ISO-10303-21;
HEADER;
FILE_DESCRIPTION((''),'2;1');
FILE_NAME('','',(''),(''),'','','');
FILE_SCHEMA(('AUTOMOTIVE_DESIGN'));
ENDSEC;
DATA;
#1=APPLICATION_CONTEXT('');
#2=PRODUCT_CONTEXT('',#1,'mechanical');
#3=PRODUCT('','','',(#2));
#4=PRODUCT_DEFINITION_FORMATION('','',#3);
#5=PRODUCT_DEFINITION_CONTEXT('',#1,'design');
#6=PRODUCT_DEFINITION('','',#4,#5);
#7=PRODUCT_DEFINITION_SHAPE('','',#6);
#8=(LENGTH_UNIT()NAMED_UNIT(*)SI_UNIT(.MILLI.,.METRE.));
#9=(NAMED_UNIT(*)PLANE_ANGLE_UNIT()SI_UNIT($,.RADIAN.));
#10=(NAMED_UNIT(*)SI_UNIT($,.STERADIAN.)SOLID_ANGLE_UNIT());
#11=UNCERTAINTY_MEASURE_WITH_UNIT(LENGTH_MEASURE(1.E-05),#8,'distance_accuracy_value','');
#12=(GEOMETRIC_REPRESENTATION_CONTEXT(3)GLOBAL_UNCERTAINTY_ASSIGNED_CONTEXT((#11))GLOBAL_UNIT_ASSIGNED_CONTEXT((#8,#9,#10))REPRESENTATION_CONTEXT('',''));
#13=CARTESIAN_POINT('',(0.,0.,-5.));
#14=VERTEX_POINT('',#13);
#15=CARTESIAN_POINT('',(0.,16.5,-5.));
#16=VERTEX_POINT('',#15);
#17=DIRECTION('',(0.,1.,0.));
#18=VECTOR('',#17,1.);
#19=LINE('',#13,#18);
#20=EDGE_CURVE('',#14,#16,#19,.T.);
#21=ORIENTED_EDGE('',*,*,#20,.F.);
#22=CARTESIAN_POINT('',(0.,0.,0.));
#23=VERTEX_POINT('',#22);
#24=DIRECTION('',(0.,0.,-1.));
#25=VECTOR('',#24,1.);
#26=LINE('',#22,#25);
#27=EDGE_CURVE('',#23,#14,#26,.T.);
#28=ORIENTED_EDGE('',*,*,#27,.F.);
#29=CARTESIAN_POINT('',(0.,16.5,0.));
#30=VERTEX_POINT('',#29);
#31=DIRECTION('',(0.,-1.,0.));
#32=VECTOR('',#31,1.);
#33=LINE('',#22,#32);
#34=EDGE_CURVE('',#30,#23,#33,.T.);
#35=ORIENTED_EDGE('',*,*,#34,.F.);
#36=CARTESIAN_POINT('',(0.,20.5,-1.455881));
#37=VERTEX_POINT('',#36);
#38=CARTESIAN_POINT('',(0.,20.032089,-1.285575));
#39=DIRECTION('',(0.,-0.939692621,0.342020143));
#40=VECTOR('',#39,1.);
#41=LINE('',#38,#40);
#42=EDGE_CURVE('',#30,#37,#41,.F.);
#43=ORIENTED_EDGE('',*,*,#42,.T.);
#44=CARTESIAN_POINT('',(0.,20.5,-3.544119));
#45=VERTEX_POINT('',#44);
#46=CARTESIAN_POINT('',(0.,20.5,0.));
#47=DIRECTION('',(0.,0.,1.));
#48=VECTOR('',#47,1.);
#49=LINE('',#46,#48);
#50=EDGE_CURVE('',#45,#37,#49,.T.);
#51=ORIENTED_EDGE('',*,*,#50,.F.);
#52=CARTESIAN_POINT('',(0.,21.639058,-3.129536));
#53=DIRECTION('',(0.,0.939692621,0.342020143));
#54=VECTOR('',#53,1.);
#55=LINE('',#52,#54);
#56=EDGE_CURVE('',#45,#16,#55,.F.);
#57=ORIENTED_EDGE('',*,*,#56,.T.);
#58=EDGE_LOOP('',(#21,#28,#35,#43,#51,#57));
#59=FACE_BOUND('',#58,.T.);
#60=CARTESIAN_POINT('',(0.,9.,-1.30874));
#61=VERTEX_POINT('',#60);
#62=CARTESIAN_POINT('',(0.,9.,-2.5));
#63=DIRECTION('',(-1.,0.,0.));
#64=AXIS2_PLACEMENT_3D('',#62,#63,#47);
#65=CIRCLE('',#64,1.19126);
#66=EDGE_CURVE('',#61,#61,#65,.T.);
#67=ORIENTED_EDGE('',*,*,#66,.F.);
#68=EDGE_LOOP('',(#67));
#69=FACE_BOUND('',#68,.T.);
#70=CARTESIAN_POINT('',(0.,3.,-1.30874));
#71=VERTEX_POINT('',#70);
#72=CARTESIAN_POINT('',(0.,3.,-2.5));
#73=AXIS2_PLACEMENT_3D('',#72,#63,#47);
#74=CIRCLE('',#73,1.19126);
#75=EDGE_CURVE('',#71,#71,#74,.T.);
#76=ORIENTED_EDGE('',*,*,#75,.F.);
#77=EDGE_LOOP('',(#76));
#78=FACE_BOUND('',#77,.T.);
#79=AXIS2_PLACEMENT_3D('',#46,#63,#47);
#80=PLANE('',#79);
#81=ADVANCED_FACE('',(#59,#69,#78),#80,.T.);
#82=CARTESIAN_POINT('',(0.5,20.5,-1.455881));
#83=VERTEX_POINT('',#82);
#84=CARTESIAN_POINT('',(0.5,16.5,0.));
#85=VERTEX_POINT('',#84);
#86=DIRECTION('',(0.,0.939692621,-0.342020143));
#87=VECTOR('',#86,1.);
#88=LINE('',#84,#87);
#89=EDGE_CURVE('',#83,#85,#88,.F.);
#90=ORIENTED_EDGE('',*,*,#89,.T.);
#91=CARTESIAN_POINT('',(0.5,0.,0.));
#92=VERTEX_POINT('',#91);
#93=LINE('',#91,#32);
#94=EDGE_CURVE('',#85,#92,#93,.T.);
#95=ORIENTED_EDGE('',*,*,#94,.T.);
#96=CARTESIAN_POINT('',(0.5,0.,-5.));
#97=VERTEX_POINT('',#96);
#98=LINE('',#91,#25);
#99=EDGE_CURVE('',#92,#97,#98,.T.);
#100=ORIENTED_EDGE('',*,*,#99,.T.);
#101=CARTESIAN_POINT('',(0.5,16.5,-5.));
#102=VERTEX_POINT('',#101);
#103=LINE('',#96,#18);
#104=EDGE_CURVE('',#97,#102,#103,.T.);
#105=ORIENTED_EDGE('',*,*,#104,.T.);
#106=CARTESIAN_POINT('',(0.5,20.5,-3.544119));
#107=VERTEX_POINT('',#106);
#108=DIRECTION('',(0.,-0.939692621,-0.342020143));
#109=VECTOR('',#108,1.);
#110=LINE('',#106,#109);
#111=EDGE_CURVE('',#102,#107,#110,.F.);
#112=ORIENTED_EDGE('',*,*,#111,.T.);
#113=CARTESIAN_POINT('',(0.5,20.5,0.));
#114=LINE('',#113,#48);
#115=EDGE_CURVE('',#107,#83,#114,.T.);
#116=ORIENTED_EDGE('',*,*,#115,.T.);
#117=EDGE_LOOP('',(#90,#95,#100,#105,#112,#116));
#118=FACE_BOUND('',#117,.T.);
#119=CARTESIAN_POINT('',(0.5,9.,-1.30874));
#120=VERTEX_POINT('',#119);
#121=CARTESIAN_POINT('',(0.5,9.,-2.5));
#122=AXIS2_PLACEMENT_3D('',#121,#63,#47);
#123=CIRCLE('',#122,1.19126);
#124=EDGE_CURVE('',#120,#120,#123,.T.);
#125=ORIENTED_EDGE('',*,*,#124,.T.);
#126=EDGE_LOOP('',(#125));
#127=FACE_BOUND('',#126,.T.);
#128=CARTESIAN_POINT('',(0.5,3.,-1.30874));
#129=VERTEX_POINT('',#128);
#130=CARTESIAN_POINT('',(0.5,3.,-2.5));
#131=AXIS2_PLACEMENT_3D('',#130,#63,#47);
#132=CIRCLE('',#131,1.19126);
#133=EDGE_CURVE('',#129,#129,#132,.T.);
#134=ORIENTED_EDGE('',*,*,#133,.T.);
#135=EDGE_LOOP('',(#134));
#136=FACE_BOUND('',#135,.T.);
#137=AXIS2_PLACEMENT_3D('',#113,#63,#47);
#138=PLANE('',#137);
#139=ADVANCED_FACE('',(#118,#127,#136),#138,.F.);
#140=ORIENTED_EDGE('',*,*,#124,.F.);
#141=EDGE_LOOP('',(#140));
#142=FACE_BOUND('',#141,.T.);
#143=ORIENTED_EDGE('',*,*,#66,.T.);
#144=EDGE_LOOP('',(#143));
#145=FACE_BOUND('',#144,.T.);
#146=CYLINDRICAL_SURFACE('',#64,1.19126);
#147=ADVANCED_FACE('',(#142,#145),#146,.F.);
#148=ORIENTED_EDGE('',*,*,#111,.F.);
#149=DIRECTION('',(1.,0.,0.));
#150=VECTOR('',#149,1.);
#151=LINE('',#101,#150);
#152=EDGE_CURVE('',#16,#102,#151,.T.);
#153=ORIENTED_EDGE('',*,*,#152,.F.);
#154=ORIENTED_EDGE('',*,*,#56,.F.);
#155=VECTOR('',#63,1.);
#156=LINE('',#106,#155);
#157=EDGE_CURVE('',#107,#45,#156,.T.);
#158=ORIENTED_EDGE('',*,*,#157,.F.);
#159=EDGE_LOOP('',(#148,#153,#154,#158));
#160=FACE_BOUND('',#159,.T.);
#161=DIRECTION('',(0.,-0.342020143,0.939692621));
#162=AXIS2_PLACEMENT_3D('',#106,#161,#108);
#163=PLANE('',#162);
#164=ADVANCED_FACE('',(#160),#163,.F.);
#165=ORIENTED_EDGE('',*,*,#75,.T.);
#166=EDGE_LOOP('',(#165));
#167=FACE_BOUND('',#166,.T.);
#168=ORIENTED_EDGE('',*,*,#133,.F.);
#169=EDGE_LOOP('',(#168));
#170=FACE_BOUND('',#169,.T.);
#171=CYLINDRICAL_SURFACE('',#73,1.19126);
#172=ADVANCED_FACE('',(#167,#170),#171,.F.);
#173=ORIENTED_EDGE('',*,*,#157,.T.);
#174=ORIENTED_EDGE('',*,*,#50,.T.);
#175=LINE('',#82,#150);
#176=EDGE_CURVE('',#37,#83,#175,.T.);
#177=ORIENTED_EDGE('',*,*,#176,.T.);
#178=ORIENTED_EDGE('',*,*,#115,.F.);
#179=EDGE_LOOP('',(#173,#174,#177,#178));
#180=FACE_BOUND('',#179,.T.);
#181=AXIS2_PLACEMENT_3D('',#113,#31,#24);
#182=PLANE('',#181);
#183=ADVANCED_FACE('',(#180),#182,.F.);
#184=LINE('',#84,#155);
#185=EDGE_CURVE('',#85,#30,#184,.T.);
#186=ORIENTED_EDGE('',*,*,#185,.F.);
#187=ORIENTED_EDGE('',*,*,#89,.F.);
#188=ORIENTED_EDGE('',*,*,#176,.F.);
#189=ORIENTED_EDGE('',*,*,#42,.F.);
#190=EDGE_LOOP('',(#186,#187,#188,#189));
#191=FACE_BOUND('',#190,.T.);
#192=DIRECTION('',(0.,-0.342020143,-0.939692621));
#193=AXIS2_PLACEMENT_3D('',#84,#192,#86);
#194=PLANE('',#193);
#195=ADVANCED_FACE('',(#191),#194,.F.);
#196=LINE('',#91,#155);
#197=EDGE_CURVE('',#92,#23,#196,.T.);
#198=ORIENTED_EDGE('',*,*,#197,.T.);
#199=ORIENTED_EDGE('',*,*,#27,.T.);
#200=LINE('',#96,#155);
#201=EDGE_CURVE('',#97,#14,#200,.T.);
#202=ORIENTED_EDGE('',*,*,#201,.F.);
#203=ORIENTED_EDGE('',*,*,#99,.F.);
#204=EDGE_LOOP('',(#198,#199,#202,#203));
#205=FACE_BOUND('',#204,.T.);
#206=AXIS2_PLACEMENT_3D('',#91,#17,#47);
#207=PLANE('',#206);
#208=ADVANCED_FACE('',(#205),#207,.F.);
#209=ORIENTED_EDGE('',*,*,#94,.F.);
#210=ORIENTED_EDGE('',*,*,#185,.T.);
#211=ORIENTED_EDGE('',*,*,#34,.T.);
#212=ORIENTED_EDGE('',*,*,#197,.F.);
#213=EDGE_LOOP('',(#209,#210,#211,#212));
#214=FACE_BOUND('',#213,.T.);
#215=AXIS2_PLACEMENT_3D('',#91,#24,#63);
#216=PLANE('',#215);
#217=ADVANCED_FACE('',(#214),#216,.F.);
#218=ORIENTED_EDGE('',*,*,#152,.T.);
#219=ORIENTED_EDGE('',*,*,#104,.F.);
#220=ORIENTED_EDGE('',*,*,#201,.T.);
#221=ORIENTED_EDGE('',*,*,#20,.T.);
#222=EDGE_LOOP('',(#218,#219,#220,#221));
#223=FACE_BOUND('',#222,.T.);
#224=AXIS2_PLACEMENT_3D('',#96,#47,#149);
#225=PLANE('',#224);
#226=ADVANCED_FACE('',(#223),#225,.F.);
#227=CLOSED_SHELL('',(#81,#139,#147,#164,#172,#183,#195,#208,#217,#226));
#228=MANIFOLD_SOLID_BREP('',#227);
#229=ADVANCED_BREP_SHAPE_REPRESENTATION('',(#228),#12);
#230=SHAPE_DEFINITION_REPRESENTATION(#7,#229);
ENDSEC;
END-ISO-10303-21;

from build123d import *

# Parameters (mm, degrees)
SKETCH_1_W             = 5
SKETCH_1_H             = 20.5
EXTRUDE_1_DEPTH        = 0.5
HOLE_WIZARD_21_D       = 2.38252
CHAMFER_1_SIZE         = 4
CHAMFER_1_SIZE2        = 1.455880937
CHAMFER_1_PART_2_SIZE  = 4
CHAMFER_1_PART_2_SIZE2 = 1.455880937


with BuildPart() as part:
    # Эскиз1 → Бобышка-Вытянуть1 (new body)
    with BuildSketch(Plane(origin=(0, 0, 0), x_dir=(0, 0, -1), z_dir=(1, 0, 0))):
        with Locations((2.5, 10.25)):
            Rectangle(SKETCH_1_W, SKETCH_1_H)
    extrude(amount=EXTRUDE_1_DEPTH)

    # Сверло под метчик  спиральное #21 (through all)
    with Locations(Plane.ZY):
        with Locations((-2.5, 3), (-2.5, 9)):
            Hole(HOLE_WIZARD_21_D / 2)

    # Фаска1
    chamfer_1_edges = [part.edges().sort_by_distance(p)[0] for p in [
        (0.25, 20.5, 0),
    ]]
    chamfer_1_side = [part.faces().sort_by_distance(p)[0] for p in [
        (0.25, 10.25, 0),
    ]]
    chamfer(chamfer_1_edges, length=CHAMFER_1_SIZE, length2=CHAMFER_1_SIZE2, reference=chamfer_1_side[0])

    # Фаска1 part 2
    chamfer_1_part_2_edges = [part.edges().sort_by_distance(p)[0] for p in [
        (0.25, 20.5, -5),
    ]]
    chamfer_1_part_2_side = [part.faces().sort_by_distance(p)[0] for p in [
        (0.25, 10.25, -5),
    ]]
    chamfer(chamfer_1_part_2_edges, length=CHAMFER_1_PART_2_SIZE, length2=CHAMFER_1_PART_2_SIZE2, reference=chamfer_1_part_2_side[0])


solid = part.part
